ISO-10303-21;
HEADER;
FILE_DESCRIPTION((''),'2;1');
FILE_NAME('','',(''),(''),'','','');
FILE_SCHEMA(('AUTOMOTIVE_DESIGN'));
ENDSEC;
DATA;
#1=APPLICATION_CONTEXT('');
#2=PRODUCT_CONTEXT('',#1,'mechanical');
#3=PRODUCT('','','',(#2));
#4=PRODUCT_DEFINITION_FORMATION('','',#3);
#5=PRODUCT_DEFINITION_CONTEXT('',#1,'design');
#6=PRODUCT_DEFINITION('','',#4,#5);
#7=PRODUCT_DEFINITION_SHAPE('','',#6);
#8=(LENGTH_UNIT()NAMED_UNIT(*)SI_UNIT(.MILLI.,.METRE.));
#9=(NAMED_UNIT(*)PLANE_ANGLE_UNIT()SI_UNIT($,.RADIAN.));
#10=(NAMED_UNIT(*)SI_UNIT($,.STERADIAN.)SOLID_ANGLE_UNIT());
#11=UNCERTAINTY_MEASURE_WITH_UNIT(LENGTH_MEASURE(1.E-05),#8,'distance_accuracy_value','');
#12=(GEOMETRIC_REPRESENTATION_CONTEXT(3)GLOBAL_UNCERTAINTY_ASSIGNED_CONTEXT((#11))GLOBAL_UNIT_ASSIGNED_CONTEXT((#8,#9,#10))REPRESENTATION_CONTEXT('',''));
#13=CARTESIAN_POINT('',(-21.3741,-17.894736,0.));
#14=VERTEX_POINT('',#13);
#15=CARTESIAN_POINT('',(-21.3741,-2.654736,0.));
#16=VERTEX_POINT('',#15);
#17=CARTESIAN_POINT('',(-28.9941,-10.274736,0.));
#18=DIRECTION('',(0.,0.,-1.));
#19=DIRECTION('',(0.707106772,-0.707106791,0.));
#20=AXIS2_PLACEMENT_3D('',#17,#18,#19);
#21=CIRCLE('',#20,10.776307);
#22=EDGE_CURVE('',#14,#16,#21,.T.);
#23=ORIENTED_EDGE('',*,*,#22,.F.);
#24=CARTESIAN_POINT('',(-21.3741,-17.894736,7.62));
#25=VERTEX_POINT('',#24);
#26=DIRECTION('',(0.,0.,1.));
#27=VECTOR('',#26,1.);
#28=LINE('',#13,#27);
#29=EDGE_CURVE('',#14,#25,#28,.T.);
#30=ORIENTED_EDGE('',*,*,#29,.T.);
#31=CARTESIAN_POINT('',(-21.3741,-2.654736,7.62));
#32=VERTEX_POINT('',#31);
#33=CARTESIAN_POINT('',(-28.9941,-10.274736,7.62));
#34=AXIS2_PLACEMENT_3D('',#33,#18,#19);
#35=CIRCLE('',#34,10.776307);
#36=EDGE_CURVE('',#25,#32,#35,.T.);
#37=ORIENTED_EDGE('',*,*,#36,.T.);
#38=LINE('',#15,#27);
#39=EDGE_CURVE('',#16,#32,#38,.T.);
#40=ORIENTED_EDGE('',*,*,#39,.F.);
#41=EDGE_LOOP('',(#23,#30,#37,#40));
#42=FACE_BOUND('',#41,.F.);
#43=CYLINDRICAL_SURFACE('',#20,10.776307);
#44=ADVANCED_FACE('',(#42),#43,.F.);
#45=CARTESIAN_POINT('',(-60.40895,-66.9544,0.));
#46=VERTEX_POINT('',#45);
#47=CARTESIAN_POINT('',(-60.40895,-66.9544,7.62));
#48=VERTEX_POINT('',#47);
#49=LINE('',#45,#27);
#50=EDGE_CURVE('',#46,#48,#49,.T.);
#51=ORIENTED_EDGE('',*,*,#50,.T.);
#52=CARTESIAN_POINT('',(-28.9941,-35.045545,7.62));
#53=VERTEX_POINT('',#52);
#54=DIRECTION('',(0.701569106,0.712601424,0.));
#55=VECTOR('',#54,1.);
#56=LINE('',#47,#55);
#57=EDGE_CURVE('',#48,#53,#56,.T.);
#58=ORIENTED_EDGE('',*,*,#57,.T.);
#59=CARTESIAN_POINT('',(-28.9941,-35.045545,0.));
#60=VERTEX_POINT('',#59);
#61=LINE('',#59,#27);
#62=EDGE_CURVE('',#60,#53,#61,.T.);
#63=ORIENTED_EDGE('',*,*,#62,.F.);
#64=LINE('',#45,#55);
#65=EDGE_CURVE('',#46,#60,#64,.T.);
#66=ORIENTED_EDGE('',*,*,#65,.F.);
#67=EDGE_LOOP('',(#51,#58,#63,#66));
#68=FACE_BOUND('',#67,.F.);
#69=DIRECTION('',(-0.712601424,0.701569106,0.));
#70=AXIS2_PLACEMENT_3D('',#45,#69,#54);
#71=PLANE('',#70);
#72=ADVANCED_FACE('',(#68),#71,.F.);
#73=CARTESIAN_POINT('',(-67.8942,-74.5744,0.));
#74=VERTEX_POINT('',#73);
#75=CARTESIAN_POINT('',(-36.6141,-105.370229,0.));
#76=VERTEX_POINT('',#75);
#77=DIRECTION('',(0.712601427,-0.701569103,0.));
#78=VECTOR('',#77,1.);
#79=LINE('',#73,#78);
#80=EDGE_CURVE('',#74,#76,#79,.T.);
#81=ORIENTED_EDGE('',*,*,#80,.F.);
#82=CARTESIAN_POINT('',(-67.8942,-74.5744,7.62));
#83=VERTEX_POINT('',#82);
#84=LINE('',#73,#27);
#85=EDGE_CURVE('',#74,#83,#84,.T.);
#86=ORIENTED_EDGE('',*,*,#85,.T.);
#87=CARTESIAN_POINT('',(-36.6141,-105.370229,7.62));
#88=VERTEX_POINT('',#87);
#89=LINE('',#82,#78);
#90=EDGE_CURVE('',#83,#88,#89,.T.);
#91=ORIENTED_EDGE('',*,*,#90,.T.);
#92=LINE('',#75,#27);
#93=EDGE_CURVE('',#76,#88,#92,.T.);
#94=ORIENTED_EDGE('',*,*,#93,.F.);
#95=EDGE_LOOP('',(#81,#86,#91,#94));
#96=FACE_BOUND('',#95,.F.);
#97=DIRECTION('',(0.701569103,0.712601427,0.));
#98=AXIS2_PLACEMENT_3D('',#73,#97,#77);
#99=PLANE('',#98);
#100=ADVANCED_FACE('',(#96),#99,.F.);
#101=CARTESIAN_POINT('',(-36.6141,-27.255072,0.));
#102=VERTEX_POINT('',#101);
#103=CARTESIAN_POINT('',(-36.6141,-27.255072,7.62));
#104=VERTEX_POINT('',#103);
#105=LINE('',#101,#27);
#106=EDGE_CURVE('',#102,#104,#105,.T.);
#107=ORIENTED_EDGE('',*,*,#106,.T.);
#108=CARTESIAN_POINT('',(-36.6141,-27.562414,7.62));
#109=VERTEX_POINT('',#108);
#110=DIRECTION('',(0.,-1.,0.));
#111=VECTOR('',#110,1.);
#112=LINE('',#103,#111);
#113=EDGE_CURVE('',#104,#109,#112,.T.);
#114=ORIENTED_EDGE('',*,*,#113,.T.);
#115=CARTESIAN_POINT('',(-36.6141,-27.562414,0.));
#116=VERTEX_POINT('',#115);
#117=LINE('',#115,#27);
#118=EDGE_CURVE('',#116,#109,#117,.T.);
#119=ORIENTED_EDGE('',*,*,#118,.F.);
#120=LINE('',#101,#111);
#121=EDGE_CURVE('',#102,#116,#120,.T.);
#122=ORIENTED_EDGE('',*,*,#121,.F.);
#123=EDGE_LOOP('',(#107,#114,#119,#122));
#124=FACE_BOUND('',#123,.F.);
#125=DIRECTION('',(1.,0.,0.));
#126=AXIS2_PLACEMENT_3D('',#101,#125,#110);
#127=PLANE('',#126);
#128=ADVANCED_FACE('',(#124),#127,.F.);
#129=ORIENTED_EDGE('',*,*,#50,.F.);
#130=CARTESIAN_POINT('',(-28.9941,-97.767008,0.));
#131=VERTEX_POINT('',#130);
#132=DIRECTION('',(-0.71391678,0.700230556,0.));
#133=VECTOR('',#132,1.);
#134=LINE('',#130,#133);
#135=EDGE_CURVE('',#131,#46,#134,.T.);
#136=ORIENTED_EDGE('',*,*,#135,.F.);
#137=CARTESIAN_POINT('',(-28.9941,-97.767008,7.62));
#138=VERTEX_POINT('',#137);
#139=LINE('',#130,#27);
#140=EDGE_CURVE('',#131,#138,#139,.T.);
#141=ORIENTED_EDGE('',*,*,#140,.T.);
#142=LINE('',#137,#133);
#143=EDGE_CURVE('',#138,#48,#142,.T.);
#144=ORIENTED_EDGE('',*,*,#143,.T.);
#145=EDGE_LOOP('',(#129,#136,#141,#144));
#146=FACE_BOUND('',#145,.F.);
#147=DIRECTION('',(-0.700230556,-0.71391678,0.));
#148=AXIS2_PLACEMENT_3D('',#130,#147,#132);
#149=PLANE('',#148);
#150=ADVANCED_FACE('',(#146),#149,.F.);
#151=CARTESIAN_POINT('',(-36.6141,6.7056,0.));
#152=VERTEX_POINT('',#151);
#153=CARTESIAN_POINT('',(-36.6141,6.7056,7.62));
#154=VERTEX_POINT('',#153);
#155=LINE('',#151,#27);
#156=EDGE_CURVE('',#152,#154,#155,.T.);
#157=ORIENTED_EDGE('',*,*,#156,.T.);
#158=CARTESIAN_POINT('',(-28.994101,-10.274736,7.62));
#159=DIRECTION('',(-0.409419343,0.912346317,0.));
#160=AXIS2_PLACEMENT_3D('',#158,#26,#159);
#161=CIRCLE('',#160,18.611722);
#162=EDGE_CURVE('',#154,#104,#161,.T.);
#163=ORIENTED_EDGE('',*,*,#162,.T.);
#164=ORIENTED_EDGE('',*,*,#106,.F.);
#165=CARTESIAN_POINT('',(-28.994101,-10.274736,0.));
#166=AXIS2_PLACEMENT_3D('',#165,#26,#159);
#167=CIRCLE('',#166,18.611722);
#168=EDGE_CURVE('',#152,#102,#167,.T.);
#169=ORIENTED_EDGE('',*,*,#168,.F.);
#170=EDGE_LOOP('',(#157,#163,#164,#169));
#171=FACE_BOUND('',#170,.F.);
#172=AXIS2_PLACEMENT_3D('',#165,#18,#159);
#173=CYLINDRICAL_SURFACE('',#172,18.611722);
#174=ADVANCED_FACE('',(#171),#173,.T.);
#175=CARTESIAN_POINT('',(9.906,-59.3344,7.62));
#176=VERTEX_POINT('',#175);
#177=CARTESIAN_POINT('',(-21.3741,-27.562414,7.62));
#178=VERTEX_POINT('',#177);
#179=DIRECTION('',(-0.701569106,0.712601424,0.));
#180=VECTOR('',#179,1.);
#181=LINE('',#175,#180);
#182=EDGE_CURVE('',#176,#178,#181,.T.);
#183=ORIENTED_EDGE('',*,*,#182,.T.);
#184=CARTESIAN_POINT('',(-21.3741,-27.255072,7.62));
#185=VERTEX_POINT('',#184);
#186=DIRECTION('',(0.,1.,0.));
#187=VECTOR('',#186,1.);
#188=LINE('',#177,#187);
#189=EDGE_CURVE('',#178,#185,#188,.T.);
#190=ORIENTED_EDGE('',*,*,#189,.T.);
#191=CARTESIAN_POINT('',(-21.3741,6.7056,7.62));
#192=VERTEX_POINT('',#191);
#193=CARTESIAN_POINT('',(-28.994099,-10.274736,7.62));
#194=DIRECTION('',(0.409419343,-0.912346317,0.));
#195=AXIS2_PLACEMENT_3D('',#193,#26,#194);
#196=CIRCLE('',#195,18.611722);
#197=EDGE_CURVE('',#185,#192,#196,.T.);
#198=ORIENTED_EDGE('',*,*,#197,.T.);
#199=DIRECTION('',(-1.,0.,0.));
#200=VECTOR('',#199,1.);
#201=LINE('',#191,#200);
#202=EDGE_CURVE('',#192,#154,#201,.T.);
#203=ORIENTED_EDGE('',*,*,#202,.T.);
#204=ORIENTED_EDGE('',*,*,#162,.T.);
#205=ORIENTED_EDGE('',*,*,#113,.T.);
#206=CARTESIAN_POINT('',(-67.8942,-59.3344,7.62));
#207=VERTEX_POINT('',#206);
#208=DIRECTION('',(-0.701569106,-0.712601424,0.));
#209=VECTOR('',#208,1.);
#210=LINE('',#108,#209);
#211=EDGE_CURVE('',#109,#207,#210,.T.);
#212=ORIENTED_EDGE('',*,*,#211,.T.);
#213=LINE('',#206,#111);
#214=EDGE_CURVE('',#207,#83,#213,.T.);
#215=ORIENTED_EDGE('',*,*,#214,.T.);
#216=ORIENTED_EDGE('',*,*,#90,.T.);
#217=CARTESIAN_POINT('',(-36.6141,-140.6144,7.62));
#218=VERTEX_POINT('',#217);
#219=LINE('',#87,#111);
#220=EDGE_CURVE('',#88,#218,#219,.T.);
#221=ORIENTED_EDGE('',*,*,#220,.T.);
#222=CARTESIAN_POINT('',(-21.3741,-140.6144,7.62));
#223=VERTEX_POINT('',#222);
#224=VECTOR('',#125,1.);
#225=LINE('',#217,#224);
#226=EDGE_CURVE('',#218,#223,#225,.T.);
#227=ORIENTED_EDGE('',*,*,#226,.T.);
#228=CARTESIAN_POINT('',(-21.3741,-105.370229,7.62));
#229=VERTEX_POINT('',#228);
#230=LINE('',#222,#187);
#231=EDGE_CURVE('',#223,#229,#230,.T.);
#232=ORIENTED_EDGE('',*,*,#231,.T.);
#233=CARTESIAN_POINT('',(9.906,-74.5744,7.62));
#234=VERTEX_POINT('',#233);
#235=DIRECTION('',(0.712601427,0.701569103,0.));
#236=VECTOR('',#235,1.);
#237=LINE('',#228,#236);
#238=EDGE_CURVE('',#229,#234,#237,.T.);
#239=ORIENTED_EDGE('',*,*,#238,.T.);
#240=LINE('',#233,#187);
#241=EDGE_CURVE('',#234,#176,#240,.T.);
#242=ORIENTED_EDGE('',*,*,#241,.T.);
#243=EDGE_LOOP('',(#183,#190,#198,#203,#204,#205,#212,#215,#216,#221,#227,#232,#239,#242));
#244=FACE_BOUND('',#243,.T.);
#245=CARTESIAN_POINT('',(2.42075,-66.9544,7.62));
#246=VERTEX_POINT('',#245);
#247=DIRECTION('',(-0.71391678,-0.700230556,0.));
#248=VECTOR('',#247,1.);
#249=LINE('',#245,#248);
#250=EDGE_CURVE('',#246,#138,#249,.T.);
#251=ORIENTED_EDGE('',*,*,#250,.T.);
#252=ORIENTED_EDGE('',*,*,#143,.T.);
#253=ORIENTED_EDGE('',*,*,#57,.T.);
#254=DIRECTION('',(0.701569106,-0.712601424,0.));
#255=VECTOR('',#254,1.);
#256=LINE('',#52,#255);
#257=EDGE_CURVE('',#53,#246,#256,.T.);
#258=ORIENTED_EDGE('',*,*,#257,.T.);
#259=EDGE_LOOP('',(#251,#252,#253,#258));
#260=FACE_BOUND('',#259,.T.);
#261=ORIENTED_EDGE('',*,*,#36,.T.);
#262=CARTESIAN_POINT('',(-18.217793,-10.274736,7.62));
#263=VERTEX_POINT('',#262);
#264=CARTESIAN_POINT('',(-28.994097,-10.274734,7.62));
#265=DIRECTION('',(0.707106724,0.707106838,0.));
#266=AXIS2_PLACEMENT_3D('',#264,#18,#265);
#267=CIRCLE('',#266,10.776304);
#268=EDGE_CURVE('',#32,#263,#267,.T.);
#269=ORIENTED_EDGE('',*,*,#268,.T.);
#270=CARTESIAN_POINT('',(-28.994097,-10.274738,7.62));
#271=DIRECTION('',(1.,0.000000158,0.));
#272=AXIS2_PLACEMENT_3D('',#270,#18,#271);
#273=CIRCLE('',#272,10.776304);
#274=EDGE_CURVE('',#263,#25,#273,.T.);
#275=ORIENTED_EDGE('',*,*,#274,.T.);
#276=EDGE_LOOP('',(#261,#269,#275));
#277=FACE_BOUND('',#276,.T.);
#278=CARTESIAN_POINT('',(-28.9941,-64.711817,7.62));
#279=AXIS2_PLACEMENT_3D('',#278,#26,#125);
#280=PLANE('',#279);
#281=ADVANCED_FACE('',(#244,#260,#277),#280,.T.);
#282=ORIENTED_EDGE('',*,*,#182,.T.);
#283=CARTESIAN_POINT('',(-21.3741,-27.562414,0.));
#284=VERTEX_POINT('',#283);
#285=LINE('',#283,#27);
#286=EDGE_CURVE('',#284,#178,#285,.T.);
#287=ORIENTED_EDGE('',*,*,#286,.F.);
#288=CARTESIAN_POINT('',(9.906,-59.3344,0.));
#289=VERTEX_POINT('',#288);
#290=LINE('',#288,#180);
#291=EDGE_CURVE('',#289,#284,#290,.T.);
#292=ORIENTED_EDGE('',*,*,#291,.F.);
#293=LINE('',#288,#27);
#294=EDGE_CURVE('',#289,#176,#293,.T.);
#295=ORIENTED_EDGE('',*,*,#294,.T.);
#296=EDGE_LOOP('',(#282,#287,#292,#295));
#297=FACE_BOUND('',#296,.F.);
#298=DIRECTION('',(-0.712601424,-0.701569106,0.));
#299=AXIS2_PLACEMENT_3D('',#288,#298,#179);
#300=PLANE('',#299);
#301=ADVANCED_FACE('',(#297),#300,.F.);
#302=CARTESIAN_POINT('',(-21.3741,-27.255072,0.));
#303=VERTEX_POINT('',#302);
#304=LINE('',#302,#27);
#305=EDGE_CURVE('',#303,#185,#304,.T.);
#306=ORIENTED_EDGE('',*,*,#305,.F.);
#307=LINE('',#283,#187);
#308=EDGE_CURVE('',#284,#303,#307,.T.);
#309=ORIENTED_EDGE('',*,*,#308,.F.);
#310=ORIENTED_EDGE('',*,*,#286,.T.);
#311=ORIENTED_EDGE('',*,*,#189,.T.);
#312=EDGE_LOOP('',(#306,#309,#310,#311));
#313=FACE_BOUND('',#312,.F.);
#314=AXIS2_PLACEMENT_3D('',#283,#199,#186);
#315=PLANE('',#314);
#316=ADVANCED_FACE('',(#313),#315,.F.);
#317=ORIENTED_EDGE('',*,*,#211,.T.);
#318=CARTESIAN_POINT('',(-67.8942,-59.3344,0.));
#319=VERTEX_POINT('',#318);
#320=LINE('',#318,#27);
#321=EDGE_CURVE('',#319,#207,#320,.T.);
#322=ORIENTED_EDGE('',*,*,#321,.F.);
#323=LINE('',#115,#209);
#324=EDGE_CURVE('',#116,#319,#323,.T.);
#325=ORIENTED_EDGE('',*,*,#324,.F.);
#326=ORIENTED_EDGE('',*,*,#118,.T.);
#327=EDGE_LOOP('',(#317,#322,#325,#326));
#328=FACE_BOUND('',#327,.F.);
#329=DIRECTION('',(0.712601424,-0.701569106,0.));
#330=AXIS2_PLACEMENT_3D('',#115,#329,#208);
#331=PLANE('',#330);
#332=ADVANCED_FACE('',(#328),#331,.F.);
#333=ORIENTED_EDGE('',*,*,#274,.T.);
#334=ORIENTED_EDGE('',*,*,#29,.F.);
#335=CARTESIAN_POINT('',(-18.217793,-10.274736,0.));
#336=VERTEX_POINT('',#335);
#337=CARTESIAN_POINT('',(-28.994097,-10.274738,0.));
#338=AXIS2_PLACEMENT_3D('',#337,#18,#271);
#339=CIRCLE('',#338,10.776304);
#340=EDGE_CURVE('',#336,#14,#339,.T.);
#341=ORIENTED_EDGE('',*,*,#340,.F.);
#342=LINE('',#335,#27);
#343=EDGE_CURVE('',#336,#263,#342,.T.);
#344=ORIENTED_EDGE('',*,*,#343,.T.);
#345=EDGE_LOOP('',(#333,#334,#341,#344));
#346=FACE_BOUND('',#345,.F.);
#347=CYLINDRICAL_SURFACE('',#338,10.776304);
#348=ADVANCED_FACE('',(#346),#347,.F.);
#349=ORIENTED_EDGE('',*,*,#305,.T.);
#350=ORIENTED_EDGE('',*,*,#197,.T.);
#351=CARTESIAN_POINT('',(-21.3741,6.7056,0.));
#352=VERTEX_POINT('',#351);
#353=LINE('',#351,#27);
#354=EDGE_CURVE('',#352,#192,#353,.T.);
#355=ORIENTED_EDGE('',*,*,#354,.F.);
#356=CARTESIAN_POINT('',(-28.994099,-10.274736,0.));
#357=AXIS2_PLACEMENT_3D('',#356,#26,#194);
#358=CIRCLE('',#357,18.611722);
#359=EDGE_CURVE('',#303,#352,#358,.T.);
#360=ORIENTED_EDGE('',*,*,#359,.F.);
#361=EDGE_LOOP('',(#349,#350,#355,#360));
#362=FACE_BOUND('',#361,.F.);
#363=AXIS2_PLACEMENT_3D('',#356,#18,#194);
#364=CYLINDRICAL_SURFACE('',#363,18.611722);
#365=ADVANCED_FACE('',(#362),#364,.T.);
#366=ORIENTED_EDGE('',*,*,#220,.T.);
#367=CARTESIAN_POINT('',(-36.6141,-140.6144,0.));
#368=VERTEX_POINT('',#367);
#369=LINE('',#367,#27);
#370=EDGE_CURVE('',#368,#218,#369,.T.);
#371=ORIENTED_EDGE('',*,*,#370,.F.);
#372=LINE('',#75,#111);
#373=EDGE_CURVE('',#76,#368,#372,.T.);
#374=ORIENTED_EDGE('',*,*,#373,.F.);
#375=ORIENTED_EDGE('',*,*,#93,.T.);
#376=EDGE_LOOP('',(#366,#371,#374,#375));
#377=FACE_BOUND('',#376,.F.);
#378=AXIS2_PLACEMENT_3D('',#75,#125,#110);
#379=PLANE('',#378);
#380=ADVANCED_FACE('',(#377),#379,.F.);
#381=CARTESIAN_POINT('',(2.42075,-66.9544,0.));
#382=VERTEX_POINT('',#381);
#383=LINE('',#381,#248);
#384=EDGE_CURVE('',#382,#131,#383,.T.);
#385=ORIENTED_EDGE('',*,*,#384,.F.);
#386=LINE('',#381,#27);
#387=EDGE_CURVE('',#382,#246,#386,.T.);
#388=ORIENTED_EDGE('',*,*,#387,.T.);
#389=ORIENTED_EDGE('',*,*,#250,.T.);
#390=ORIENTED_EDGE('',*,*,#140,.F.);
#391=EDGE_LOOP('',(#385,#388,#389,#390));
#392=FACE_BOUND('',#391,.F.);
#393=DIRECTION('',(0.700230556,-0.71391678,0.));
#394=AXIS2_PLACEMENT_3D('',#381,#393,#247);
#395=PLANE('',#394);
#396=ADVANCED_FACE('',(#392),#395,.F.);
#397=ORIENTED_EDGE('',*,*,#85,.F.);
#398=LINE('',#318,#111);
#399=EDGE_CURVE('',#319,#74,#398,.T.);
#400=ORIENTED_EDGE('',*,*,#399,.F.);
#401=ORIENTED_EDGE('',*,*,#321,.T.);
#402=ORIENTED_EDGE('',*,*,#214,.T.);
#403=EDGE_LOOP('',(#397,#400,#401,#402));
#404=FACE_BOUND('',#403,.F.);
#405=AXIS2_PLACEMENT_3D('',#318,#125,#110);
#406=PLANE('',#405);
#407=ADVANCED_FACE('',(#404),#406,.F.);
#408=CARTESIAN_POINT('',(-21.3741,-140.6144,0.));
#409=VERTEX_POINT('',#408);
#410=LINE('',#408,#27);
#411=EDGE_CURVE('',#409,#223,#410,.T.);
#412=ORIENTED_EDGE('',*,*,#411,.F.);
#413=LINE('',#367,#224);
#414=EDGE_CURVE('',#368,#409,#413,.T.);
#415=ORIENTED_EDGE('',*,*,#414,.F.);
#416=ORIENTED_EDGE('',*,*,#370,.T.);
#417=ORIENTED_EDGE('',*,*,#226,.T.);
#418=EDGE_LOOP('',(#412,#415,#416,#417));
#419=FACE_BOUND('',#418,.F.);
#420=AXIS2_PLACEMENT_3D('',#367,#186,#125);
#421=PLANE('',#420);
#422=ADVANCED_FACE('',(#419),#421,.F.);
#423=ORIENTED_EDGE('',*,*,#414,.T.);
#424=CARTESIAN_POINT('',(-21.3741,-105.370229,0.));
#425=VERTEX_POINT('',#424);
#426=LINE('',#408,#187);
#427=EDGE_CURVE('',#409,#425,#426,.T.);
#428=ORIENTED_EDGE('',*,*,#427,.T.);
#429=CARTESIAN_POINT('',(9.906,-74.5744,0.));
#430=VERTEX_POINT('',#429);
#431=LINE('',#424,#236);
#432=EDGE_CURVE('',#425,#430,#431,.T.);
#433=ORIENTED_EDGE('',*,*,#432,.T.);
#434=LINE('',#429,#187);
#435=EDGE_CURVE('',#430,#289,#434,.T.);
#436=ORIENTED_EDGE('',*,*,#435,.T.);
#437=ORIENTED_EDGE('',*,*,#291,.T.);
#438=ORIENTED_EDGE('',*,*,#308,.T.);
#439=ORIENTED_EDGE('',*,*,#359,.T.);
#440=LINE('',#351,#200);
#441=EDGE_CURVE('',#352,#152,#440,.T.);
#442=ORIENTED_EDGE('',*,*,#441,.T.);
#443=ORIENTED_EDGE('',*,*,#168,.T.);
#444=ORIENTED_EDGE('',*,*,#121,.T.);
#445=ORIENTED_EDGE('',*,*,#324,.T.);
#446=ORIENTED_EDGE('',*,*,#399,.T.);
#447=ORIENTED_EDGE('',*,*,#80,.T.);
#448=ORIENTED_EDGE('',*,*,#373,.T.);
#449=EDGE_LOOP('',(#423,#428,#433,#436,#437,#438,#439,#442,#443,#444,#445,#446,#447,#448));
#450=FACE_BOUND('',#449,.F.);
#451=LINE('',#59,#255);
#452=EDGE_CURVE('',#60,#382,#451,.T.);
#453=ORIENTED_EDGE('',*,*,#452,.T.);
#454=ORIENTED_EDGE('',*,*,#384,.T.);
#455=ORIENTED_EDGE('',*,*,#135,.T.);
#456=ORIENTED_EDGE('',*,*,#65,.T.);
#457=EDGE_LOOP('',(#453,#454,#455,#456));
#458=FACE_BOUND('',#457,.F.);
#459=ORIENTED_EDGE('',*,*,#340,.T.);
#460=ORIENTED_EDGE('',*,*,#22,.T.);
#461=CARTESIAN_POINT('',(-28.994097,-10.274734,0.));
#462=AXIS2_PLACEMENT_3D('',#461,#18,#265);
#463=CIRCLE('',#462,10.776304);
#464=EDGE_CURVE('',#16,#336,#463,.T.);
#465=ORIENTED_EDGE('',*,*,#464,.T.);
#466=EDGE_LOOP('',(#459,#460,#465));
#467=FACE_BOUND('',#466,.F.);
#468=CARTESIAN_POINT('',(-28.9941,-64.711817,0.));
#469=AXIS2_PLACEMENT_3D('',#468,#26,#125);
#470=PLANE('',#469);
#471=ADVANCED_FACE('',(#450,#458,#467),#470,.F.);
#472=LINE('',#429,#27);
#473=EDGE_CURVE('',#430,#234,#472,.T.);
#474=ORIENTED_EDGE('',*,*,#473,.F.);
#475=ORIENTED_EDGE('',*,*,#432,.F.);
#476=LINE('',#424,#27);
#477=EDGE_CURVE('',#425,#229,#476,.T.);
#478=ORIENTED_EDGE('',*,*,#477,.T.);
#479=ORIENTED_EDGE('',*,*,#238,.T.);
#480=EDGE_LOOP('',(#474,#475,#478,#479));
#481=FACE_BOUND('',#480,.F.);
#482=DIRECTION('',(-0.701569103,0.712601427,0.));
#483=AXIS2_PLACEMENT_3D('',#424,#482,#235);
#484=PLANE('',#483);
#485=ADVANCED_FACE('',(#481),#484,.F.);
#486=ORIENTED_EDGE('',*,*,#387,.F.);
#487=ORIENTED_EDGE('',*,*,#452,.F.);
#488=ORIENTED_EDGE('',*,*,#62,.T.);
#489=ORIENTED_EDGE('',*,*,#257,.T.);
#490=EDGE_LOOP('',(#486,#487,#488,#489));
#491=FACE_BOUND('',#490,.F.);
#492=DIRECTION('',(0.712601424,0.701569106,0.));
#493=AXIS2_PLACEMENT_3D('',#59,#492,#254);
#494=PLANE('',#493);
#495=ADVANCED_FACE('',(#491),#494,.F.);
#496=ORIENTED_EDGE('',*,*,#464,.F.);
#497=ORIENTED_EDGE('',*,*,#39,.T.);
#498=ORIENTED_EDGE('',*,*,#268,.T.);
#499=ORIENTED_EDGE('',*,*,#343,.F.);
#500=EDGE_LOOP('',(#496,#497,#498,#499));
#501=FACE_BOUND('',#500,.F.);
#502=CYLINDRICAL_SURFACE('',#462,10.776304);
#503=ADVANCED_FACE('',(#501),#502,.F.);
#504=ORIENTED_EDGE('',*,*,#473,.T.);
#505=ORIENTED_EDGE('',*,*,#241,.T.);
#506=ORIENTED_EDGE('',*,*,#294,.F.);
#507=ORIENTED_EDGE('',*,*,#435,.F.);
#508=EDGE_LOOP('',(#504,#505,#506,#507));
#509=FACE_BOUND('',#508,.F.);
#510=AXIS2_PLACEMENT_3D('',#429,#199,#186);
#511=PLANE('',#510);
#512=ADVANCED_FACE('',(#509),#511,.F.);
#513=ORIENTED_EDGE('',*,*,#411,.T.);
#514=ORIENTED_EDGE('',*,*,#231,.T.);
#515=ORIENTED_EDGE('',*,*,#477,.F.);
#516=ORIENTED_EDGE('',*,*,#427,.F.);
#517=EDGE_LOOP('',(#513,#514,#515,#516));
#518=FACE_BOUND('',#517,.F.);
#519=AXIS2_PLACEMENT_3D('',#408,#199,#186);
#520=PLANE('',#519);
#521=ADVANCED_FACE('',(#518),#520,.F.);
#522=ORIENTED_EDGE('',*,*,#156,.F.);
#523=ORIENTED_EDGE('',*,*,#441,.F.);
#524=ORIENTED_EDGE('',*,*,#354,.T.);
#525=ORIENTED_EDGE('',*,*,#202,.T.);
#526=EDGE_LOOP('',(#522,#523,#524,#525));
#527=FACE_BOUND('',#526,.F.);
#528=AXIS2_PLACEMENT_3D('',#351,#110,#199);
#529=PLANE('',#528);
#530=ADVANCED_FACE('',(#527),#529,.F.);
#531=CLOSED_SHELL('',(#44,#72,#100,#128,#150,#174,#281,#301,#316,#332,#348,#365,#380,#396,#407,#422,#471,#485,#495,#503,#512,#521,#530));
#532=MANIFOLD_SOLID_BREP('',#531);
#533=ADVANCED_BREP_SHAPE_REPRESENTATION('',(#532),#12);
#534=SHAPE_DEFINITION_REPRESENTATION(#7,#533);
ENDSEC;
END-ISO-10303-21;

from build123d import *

# Parameters (mm, degrees)
F1_DEPTH = 7.62


with BuildPart() as f1:
    # F0 (on Top) → F1 (new body)
    with BuildSketch(Plane.XY):
        with BuildLine():
            Line((-36.6141, -105.370229), (-36.6141, -140.6144))
            Line((-36.6141, -140.6144), (-21.3741, -140.6144))
            Line((-21.3741, -140.6144), (-21.3741, -105.370229))
            Line((-21.3741, -105.370229), (9.906, -74.5744))
            Line((9.906, -74.5744), (9.906, -59.3344))
            Line((9.906, -59.3344), (-21.3741, -27.562414))
            Line((-21.3741, -27.562414), (-21.3741, -27.255072))
            ThreePointArc((-21.3741, -27.255072), (-10.382377, -10.274736), (-21.3741, 6.7056))
            Line((-21.3741, 6.7056), (-36.6141, 6.7056))
            ThreePointArc((-36.6141, 6.7056), (-47.605823, -10.274736), (-36.6141, -27.255072))
            Line((-36.6141, -27.255072), (-36.6141, -27.562414))
            Line((-36.6141, -27.562414), (-67.8942, -59.3344))
            Line((-67.8942, -59.3344), (-67.8942, -74.5744))
            Line((-67.8942, -74.5744), (-36.6141, -105.370229))
        make_face()
        Polygon((-28.9941, -97.767008), (-60.40895, -66.9544), (-28.9941, -35.045545), (2.42075, -66.9544), align=None, mode=Mode.SUBTRACT)
        with BuildLine():
            ThreePointArc((-21.3741, -17.894736), (-39.770407, -10.274736), (-21.3741, -2.654736))
            ThreePointArc((-21.3741, -2.654736), (-19.03809, -6.150822), (-18.217793, -10.274736))
            ThreePointArc((-18.217793, -10.274736), (-19.03809, -14.39865), (-21.3741, -17.894736))
        make_face(mode=Mode.SUBTRACT)
    extrude(amount=F1_DEPTH)


solid = f1.part
